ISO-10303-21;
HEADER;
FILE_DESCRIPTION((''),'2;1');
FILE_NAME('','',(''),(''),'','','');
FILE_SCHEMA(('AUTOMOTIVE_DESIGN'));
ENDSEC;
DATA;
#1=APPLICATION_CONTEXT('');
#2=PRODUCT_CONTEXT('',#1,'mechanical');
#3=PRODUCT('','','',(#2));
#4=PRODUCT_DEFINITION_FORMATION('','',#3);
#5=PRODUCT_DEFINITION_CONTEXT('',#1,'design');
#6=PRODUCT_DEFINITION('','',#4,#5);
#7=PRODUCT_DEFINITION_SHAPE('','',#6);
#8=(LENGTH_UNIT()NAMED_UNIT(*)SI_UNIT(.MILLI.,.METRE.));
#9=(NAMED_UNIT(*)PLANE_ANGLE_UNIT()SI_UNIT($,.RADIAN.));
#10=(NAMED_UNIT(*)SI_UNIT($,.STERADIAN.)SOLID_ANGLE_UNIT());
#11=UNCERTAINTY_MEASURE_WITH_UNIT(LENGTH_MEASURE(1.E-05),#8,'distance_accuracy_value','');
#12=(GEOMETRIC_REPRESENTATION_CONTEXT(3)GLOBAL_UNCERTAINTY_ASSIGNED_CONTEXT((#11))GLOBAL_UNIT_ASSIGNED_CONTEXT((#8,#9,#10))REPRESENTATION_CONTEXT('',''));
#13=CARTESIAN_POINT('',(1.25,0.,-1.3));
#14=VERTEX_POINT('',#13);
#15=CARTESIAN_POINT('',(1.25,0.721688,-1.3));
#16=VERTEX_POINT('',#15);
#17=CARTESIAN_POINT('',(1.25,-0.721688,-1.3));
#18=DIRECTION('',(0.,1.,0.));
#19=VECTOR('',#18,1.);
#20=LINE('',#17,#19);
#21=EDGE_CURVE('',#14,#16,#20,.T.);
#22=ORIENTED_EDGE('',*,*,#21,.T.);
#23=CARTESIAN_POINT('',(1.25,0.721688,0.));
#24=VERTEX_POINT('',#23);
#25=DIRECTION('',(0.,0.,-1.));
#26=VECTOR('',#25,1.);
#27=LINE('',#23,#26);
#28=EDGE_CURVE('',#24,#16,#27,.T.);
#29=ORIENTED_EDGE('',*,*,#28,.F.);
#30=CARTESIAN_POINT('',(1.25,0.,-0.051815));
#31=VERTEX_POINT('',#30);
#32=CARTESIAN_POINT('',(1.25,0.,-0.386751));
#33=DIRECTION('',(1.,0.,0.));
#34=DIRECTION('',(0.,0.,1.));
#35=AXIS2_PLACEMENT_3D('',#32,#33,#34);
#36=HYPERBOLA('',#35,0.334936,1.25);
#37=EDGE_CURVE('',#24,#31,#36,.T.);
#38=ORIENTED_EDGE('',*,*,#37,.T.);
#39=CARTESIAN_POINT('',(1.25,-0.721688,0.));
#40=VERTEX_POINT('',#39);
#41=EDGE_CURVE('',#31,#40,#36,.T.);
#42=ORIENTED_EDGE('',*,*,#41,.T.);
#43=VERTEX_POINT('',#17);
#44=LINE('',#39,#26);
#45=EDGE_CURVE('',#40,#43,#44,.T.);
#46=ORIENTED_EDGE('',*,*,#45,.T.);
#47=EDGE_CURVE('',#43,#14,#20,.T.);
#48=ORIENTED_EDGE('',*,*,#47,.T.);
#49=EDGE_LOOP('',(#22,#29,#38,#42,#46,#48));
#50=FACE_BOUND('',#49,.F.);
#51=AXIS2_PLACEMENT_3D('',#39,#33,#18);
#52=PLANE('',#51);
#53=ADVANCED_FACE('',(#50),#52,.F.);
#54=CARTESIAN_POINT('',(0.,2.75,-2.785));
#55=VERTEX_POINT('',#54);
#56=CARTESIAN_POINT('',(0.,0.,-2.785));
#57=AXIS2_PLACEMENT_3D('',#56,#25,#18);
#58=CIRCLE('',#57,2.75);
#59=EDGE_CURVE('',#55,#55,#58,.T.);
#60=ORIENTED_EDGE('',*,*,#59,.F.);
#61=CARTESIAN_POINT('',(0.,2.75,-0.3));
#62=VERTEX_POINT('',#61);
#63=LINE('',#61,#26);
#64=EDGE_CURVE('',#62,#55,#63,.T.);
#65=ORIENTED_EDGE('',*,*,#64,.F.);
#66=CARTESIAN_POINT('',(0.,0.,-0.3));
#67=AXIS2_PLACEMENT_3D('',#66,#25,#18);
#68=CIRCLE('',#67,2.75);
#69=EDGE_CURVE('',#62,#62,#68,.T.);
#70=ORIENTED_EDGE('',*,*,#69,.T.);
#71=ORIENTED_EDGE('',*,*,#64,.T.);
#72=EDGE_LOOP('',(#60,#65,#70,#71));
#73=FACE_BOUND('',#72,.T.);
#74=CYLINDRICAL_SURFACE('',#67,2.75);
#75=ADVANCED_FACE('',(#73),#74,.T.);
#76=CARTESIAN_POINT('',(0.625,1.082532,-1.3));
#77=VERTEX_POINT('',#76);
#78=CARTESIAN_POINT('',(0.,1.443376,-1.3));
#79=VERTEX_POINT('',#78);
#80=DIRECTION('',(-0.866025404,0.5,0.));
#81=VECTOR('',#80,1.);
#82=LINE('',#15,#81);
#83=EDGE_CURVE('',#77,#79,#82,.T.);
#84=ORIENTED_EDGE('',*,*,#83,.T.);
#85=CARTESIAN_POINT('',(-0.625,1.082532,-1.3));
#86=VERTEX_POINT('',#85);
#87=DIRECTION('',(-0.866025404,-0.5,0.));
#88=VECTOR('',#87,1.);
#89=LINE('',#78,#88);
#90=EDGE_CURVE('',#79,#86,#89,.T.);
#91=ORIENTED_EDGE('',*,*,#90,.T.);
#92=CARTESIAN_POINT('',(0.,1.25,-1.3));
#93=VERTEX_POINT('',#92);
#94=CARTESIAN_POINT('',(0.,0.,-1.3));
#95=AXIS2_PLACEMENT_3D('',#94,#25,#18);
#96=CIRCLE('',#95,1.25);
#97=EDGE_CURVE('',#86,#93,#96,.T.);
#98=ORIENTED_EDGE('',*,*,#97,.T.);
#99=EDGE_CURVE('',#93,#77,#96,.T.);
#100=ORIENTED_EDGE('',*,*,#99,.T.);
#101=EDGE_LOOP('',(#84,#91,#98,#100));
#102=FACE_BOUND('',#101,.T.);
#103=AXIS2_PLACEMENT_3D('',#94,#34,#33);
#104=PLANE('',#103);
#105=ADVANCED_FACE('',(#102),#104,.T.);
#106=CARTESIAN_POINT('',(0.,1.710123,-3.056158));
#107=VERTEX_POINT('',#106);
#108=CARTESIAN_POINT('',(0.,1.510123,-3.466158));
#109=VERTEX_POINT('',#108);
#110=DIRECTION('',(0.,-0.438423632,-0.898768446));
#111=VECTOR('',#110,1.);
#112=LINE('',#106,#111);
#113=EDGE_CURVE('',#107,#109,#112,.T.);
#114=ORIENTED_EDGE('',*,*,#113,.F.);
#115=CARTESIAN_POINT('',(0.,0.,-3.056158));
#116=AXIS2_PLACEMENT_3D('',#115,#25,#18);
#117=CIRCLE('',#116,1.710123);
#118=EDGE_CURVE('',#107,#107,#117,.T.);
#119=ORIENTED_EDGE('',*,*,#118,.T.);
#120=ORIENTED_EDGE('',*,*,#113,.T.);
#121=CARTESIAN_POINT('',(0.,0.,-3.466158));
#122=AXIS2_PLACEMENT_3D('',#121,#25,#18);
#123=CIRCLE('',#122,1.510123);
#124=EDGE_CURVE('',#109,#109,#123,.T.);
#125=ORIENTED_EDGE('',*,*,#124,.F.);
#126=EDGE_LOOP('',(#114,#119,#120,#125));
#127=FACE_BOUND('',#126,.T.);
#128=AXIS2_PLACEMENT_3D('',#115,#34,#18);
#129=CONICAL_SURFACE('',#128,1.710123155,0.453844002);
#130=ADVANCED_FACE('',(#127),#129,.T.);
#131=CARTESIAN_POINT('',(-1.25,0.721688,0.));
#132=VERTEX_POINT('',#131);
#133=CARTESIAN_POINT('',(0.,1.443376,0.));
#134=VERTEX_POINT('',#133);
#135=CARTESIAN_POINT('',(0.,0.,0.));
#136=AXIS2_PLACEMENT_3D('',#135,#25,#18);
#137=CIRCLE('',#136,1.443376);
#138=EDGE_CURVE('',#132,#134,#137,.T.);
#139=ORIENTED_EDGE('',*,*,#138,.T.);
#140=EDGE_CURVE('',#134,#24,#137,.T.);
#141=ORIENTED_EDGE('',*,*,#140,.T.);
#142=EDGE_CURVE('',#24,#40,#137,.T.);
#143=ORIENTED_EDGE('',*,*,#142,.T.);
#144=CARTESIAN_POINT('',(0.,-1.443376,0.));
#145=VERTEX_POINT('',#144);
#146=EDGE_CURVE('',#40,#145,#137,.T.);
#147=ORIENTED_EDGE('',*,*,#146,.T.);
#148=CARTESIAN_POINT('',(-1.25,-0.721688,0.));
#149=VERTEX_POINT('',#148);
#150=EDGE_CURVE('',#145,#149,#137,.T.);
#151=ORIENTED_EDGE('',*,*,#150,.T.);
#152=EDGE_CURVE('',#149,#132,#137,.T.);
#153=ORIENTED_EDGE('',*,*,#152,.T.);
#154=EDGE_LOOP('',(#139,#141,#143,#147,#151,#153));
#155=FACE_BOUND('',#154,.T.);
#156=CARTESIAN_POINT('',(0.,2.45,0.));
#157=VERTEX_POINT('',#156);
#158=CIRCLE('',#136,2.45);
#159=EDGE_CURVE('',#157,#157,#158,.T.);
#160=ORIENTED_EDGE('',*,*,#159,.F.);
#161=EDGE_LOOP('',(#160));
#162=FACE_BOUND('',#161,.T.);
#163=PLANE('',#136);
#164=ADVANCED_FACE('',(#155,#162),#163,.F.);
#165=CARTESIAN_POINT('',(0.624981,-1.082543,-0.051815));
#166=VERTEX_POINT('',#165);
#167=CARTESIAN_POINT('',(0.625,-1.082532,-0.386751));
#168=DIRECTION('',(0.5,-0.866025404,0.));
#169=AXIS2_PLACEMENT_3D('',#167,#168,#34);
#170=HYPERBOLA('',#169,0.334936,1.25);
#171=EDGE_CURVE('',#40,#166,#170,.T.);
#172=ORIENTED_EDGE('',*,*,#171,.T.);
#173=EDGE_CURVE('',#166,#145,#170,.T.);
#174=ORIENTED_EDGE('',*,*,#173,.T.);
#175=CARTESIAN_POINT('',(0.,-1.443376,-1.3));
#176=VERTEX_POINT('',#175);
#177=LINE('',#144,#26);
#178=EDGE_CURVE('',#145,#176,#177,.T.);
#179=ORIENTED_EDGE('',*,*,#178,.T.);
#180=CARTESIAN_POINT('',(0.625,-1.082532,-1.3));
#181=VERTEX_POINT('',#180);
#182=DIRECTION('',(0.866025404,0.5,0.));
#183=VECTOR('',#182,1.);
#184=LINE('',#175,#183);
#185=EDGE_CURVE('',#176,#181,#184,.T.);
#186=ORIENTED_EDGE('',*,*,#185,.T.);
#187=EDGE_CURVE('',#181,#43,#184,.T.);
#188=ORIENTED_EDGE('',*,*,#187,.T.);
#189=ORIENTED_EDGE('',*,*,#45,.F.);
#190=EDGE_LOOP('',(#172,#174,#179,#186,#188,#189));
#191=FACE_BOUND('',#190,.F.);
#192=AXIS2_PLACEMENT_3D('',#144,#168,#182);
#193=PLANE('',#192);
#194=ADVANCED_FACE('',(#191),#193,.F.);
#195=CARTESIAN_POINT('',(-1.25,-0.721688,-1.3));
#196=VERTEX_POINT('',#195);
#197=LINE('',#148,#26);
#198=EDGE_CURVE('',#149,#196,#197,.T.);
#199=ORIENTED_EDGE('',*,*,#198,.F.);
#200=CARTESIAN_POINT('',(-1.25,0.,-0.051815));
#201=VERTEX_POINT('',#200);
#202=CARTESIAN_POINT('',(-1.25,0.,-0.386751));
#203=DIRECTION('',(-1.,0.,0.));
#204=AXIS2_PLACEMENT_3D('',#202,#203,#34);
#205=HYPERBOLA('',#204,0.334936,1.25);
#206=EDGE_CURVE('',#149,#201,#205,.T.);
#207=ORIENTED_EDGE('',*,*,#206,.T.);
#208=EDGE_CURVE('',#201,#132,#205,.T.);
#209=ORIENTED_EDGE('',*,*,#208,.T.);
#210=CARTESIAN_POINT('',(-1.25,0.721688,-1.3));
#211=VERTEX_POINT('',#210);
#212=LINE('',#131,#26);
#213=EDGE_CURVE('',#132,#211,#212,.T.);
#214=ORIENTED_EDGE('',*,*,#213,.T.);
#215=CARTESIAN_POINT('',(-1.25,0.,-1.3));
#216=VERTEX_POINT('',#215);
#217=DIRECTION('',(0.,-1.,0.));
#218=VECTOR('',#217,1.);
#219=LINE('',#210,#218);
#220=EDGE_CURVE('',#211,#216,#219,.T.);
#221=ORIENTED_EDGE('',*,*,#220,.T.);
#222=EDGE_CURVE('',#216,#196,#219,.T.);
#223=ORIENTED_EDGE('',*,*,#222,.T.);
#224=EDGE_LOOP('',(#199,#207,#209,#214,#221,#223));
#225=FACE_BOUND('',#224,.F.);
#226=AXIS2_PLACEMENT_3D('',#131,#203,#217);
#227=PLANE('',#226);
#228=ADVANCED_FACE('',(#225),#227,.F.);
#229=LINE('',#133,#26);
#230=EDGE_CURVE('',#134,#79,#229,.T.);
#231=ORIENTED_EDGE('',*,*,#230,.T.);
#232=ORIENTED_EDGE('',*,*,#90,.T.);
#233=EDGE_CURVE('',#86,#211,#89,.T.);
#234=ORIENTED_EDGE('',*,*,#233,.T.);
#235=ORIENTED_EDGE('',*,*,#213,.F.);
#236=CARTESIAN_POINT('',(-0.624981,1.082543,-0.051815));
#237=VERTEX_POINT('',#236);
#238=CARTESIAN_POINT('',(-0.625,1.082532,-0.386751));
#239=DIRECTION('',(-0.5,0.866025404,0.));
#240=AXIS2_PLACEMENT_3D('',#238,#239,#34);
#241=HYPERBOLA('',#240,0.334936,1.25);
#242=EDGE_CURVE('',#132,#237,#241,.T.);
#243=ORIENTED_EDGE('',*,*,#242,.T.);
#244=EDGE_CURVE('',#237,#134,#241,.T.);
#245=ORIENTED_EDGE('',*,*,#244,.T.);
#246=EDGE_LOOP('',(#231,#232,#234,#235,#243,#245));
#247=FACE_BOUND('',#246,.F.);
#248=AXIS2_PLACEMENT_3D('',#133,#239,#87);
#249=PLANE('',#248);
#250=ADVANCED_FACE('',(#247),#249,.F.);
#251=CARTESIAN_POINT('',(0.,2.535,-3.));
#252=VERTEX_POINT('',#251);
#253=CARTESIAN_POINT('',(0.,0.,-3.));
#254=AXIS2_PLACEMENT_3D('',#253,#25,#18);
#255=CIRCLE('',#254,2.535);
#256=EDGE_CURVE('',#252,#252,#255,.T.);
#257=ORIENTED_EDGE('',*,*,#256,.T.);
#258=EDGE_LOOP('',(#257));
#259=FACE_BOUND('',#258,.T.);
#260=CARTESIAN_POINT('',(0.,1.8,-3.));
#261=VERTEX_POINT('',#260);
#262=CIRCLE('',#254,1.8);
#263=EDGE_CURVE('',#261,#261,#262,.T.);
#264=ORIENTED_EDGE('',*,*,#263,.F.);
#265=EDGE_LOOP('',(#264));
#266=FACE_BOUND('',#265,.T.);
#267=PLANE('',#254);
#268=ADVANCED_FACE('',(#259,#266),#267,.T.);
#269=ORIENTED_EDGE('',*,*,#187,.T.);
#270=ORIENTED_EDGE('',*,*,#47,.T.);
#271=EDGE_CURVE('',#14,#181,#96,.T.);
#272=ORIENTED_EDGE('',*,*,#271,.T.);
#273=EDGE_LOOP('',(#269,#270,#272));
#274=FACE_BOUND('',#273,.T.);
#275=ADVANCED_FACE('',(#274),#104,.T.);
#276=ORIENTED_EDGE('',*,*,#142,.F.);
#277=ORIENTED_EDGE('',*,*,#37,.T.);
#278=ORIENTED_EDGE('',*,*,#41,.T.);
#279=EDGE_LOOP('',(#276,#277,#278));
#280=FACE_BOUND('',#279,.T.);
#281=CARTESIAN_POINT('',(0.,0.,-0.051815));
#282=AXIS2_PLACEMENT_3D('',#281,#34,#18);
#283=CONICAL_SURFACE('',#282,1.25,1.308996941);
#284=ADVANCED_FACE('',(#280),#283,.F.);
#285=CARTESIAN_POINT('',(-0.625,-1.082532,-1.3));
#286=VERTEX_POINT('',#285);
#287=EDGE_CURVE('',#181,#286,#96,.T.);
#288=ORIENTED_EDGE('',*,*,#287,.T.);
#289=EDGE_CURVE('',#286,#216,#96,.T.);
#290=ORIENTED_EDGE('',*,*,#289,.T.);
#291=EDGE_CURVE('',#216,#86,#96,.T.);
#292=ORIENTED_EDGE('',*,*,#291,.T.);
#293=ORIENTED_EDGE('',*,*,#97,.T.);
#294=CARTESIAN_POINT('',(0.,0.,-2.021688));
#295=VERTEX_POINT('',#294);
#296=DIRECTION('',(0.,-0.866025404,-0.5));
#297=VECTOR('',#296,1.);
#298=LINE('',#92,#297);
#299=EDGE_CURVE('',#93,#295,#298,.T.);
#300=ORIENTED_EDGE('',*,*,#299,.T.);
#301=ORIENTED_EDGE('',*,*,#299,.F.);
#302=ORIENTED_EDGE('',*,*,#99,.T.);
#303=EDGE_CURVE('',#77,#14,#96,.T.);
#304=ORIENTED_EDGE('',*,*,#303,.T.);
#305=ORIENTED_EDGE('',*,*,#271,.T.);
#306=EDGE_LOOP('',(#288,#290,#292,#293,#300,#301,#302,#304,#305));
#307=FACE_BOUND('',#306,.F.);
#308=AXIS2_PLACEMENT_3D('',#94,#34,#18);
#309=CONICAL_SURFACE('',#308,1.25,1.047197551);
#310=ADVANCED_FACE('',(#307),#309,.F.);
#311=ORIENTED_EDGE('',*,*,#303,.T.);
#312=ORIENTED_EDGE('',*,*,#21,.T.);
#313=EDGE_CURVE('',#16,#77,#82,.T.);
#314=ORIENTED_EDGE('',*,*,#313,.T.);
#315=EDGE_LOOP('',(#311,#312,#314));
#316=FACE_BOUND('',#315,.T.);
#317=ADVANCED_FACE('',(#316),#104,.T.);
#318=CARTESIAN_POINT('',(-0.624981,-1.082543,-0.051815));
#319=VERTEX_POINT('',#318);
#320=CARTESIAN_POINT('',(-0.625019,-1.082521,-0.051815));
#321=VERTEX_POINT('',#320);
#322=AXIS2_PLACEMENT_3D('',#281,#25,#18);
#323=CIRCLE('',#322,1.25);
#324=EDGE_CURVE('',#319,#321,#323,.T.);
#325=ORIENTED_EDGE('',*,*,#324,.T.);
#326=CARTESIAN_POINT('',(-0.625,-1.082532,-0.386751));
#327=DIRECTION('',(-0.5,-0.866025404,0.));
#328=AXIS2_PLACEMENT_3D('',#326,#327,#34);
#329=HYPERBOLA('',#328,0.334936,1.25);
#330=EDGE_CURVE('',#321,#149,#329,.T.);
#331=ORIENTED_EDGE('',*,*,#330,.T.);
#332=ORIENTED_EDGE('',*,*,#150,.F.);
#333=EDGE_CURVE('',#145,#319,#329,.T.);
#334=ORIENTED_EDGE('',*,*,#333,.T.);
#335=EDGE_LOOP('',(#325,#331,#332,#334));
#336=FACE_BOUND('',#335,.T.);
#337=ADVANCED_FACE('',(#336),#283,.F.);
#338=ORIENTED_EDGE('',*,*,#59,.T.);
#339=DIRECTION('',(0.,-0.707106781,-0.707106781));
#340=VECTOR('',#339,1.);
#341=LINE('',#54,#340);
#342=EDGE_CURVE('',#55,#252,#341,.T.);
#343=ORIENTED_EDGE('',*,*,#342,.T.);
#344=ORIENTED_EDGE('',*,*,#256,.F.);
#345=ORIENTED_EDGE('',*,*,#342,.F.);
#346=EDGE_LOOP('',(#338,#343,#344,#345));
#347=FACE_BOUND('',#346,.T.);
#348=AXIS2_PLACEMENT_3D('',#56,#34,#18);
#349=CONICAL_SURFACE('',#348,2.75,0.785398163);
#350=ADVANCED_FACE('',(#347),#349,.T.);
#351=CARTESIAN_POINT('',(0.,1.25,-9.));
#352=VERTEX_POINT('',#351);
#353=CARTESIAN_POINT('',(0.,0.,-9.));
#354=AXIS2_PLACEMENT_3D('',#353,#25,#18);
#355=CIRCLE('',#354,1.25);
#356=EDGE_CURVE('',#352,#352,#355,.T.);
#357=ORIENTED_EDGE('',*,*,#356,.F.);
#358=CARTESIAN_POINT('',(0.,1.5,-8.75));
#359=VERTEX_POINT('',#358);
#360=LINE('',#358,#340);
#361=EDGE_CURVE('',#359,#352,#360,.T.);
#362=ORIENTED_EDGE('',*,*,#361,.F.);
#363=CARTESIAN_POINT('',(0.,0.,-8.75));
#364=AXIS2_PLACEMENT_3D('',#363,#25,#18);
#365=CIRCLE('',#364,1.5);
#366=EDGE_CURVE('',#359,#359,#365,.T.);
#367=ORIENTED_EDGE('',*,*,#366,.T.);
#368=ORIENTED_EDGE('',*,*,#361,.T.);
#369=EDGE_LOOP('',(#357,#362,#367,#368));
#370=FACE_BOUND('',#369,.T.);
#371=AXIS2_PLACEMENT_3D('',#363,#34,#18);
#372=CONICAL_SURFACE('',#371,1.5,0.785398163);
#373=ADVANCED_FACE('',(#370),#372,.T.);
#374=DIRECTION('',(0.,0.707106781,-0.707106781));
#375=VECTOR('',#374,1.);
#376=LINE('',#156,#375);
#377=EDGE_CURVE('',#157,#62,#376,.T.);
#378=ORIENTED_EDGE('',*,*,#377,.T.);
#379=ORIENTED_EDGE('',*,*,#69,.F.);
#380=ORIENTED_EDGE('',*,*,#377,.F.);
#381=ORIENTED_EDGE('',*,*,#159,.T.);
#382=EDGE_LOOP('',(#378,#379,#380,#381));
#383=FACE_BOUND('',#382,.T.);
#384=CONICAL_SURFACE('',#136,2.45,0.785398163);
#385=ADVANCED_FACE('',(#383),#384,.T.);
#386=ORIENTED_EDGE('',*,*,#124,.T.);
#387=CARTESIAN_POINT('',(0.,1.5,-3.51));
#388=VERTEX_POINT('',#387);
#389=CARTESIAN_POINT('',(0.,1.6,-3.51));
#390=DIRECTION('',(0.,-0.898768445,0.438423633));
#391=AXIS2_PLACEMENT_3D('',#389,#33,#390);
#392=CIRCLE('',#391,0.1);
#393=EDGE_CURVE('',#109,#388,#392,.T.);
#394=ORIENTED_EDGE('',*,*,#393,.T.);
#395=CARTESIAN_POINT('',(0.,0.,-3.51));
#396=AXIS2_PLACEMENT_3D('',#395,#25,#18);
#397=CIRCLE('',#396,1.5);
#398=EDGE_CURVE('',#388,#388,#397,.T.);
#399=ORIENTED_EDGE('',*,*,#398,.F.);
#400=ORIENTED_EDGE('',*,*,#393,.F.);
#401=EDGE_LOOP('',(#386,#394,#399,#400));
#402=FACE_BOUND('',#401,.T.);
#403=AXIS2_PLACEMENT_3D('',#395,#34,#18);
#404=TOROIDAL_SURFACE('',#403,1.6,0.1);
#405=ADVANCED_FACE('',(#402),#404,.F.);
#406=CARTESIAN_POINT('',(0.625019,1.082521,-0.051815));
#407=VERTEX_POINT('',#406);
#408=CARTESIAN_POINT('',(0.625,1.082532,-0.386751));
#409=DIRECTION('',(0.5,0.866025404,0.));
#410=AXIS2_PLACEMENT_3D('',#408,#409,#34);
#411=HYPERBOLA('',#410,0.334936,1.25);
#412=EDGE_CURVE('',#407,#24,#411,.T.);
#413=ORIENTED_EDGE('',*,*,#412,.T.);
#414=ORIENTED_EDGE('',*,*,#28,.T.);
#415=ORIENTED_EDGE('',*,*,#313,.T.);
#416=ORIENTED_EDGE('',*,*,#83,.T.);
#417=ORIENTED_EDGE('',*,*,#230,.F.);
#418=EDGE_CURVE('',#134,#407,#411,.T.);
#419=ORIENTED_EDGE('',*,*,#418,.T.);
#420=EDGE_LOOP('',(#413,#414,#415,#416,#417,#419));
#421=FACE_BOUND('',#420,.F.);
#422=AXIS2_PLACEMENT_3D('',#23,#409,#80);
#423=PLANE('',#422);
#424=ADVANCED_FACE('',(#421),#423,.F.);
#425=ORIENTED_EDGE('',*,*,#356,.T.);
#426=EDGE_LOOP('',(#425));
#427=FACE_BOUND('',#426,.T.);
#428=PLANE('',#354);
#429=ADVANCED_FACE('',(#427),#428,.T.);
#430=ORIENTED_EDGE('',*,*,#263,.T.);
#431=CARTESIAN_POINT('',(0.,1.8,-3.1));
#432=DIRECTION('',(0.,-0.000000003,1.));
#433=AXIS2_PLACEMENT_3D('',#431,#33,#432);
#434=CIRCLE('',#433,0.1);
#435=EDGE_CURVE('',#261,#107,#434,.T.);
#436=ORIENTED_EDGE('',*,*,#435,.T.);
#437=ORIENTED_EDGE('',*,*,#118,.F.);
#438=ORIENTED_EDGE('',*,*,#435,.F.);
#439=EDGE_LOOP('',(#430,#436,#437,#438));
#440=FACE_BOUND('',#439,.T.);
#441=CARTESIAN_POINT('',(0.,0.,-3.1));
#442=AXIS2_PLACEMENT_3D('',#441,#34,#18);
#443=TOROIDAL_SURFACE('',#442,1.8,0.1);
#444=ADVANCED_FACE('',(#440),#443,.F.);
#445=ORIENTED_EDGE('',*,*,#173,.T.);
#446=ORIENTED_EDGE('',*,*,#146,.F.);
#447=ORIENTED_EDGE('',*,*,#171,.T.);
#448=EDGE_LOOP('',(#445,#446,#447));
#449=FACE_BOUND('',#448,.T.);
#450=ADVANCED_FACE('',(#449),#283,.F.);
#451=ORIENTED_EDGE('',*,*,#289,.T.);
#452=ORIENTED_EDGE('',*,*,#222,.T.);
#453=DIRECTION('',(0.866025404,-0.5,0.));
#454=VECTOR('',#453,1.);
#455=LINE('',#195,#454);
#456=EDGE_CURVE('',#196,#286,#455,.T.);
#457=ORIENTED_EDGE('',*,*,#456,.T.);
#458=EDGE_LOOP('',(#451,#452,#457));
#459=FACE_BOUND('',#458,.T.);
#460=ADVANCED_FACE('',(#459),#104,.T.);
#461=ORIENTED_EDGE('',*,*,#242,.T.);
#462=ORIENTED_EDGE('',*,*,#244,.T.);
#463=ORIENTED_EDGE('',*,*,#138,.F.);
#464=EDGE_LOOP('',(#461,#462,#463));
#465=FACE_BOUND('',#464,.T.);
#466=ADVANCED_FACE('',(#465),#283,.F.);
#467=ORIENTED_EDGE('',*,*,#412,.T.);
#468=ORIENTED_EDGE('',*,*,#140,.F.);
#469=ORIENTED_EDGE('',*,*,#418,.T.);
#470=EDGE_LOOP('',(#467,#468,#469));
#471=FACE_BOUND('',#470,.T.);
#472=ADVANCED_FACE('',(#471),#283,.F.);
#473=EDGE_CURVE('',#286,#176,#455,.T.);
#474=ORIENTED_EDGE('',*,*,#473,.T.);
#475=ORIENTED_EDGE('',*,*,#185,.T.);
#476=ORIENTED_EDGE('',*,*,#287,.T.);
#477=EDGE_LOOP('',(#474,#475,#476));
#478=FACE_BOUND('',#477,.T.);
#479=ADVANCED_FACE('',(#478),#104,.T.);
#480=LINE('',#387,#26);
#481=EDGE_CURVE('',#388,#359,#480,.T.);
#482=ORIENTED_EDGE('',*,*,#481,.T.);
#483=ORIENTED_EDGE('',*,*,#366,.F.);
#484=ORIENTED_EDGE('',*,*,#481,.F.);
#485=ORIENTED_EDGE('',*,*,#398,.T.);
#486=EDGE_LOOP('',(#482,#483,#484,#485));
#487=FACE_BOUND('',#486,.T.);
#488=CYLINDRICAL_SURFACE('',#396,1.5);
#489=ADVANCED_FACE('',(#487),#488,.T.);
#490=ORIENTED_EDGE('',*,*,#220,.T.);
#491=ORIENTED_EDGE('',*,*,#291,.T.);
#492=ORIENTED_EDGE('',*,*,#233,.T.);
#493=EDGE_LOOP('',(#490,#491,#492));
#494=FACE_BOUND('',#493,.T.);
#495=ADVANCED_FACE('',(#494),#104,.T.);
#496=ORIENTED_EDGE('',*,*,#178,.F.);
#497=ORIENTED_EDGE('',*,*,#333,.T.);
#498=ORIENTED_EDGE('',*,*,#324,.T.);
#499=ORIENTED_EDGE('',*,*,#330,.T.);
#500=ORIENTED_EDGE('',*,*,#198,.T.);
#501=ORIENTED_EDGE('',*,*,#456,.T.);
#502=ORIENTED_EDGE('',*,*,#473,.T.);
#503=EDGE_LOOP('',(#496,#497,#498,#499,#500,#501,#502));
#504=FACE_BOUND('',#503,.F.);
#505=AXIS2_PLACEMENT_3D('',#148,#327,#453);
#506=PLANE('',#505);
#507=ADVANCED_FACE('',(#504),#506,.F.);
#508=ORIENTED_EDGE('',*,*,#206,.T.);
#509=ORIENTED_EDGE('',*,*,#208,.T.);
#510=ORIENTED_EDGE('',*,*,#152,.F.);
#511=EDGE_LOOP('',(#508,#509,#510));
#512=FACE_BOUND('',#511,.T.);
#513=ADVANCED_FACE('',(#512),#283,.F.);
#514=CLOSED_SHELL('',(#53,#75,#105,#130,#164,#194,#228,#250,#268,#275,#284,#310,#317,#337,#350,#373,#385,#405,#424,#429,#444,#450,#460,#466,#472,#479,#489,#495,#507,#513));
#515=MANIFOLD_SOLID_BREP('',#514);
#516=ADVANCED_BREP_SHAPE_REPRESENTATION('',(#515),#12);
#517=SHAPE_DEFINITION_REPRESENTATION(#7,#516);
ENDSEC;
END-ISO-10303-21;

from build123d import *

# Parameters (mm, degrees)
CUT_EXTRUDE1_DEPTH = 1.3


with BuildPart() as part:
    # Sketch1 → Revolve1 (revolve)
    with BuildSketch(Plane(origin=(0, 0, 0), x_dir=(0, 0, -1), z_dir=(1, 0, 0))):
        with BuildLine():
            Line((0, 0), (0, 2.45))
            Line((0, 2.45), (0.3, 2.75))
            Line((0.3, 2.75), (2.785, 2.75))
            Line((2.785, 2.75), (3, 2.535))
            Line((3, 2.535), (3, 1.8))
            ThreePointArc((3, 1.8), (3.015193643, 1.74701055), (3.056157637, 1.710123155))
            Line((3.056157637, 1.710123155), (3.466157637, 1.510123155))
            ThreePointArc((3.466157637, 1.510123155), (3.48750205, 1.50256365), (3.51, 1.5))
            Line((3.51, 1.5), (8.75, 1.5))
            Line((8.75, 1.5), (9, 1.25))
            Line((9, 1.25), (9, 0))
            Line((9, 0), (0, 0))
        make_face()
    revolve(axis=Axis((0, 0, 0), (0, 0, -1)))

    # Sketch2 → Cut-Extrude1 (cut)
    with BuildSketch(Plane.XY):
        Polygon((0, 1.443375673), (-1.25, 0.721687836), (-1.25, -0.721687836), (0, -1.443375673), (1.25, -0.721687836), (1.25, 0.721687836), align=None)
    extrude(amount=-CUT_EXTRUDE1_DEPTH, mode=Mode.SUBTRACT)

    # Sketch3 → Cut-Revolve2 (revolve, cut)
    with BuildSketch(Plane(origin=(0, 0, 0), x_dir=(0, 0, -1), z_dir=(1, 0, 0))):
        Polygon((1.3, 0), (1.3, 1.25), (2.021687836, 0), align=None)
    revolve(axis=Axis((0, 0, -1.3), (0, 0, -1)), mode=Mode.SUBTRACT)

    # Sketch4 → Cut-Revolve3 (revolve, cut)
    with BuildSketch(Plane(origin=(0, 0, 0), x_dir=(0, 0, -1), z_dir=(1, 0, 0))):
        Polygon((0, 1.443375673), (0, 1.25), (0.051814855, 1.25), align=None)
    revolve(axis=Axis((0, 0, 0), (0, 0, -1)), mode=Mode.SUBTRACT)


solid = part.part
